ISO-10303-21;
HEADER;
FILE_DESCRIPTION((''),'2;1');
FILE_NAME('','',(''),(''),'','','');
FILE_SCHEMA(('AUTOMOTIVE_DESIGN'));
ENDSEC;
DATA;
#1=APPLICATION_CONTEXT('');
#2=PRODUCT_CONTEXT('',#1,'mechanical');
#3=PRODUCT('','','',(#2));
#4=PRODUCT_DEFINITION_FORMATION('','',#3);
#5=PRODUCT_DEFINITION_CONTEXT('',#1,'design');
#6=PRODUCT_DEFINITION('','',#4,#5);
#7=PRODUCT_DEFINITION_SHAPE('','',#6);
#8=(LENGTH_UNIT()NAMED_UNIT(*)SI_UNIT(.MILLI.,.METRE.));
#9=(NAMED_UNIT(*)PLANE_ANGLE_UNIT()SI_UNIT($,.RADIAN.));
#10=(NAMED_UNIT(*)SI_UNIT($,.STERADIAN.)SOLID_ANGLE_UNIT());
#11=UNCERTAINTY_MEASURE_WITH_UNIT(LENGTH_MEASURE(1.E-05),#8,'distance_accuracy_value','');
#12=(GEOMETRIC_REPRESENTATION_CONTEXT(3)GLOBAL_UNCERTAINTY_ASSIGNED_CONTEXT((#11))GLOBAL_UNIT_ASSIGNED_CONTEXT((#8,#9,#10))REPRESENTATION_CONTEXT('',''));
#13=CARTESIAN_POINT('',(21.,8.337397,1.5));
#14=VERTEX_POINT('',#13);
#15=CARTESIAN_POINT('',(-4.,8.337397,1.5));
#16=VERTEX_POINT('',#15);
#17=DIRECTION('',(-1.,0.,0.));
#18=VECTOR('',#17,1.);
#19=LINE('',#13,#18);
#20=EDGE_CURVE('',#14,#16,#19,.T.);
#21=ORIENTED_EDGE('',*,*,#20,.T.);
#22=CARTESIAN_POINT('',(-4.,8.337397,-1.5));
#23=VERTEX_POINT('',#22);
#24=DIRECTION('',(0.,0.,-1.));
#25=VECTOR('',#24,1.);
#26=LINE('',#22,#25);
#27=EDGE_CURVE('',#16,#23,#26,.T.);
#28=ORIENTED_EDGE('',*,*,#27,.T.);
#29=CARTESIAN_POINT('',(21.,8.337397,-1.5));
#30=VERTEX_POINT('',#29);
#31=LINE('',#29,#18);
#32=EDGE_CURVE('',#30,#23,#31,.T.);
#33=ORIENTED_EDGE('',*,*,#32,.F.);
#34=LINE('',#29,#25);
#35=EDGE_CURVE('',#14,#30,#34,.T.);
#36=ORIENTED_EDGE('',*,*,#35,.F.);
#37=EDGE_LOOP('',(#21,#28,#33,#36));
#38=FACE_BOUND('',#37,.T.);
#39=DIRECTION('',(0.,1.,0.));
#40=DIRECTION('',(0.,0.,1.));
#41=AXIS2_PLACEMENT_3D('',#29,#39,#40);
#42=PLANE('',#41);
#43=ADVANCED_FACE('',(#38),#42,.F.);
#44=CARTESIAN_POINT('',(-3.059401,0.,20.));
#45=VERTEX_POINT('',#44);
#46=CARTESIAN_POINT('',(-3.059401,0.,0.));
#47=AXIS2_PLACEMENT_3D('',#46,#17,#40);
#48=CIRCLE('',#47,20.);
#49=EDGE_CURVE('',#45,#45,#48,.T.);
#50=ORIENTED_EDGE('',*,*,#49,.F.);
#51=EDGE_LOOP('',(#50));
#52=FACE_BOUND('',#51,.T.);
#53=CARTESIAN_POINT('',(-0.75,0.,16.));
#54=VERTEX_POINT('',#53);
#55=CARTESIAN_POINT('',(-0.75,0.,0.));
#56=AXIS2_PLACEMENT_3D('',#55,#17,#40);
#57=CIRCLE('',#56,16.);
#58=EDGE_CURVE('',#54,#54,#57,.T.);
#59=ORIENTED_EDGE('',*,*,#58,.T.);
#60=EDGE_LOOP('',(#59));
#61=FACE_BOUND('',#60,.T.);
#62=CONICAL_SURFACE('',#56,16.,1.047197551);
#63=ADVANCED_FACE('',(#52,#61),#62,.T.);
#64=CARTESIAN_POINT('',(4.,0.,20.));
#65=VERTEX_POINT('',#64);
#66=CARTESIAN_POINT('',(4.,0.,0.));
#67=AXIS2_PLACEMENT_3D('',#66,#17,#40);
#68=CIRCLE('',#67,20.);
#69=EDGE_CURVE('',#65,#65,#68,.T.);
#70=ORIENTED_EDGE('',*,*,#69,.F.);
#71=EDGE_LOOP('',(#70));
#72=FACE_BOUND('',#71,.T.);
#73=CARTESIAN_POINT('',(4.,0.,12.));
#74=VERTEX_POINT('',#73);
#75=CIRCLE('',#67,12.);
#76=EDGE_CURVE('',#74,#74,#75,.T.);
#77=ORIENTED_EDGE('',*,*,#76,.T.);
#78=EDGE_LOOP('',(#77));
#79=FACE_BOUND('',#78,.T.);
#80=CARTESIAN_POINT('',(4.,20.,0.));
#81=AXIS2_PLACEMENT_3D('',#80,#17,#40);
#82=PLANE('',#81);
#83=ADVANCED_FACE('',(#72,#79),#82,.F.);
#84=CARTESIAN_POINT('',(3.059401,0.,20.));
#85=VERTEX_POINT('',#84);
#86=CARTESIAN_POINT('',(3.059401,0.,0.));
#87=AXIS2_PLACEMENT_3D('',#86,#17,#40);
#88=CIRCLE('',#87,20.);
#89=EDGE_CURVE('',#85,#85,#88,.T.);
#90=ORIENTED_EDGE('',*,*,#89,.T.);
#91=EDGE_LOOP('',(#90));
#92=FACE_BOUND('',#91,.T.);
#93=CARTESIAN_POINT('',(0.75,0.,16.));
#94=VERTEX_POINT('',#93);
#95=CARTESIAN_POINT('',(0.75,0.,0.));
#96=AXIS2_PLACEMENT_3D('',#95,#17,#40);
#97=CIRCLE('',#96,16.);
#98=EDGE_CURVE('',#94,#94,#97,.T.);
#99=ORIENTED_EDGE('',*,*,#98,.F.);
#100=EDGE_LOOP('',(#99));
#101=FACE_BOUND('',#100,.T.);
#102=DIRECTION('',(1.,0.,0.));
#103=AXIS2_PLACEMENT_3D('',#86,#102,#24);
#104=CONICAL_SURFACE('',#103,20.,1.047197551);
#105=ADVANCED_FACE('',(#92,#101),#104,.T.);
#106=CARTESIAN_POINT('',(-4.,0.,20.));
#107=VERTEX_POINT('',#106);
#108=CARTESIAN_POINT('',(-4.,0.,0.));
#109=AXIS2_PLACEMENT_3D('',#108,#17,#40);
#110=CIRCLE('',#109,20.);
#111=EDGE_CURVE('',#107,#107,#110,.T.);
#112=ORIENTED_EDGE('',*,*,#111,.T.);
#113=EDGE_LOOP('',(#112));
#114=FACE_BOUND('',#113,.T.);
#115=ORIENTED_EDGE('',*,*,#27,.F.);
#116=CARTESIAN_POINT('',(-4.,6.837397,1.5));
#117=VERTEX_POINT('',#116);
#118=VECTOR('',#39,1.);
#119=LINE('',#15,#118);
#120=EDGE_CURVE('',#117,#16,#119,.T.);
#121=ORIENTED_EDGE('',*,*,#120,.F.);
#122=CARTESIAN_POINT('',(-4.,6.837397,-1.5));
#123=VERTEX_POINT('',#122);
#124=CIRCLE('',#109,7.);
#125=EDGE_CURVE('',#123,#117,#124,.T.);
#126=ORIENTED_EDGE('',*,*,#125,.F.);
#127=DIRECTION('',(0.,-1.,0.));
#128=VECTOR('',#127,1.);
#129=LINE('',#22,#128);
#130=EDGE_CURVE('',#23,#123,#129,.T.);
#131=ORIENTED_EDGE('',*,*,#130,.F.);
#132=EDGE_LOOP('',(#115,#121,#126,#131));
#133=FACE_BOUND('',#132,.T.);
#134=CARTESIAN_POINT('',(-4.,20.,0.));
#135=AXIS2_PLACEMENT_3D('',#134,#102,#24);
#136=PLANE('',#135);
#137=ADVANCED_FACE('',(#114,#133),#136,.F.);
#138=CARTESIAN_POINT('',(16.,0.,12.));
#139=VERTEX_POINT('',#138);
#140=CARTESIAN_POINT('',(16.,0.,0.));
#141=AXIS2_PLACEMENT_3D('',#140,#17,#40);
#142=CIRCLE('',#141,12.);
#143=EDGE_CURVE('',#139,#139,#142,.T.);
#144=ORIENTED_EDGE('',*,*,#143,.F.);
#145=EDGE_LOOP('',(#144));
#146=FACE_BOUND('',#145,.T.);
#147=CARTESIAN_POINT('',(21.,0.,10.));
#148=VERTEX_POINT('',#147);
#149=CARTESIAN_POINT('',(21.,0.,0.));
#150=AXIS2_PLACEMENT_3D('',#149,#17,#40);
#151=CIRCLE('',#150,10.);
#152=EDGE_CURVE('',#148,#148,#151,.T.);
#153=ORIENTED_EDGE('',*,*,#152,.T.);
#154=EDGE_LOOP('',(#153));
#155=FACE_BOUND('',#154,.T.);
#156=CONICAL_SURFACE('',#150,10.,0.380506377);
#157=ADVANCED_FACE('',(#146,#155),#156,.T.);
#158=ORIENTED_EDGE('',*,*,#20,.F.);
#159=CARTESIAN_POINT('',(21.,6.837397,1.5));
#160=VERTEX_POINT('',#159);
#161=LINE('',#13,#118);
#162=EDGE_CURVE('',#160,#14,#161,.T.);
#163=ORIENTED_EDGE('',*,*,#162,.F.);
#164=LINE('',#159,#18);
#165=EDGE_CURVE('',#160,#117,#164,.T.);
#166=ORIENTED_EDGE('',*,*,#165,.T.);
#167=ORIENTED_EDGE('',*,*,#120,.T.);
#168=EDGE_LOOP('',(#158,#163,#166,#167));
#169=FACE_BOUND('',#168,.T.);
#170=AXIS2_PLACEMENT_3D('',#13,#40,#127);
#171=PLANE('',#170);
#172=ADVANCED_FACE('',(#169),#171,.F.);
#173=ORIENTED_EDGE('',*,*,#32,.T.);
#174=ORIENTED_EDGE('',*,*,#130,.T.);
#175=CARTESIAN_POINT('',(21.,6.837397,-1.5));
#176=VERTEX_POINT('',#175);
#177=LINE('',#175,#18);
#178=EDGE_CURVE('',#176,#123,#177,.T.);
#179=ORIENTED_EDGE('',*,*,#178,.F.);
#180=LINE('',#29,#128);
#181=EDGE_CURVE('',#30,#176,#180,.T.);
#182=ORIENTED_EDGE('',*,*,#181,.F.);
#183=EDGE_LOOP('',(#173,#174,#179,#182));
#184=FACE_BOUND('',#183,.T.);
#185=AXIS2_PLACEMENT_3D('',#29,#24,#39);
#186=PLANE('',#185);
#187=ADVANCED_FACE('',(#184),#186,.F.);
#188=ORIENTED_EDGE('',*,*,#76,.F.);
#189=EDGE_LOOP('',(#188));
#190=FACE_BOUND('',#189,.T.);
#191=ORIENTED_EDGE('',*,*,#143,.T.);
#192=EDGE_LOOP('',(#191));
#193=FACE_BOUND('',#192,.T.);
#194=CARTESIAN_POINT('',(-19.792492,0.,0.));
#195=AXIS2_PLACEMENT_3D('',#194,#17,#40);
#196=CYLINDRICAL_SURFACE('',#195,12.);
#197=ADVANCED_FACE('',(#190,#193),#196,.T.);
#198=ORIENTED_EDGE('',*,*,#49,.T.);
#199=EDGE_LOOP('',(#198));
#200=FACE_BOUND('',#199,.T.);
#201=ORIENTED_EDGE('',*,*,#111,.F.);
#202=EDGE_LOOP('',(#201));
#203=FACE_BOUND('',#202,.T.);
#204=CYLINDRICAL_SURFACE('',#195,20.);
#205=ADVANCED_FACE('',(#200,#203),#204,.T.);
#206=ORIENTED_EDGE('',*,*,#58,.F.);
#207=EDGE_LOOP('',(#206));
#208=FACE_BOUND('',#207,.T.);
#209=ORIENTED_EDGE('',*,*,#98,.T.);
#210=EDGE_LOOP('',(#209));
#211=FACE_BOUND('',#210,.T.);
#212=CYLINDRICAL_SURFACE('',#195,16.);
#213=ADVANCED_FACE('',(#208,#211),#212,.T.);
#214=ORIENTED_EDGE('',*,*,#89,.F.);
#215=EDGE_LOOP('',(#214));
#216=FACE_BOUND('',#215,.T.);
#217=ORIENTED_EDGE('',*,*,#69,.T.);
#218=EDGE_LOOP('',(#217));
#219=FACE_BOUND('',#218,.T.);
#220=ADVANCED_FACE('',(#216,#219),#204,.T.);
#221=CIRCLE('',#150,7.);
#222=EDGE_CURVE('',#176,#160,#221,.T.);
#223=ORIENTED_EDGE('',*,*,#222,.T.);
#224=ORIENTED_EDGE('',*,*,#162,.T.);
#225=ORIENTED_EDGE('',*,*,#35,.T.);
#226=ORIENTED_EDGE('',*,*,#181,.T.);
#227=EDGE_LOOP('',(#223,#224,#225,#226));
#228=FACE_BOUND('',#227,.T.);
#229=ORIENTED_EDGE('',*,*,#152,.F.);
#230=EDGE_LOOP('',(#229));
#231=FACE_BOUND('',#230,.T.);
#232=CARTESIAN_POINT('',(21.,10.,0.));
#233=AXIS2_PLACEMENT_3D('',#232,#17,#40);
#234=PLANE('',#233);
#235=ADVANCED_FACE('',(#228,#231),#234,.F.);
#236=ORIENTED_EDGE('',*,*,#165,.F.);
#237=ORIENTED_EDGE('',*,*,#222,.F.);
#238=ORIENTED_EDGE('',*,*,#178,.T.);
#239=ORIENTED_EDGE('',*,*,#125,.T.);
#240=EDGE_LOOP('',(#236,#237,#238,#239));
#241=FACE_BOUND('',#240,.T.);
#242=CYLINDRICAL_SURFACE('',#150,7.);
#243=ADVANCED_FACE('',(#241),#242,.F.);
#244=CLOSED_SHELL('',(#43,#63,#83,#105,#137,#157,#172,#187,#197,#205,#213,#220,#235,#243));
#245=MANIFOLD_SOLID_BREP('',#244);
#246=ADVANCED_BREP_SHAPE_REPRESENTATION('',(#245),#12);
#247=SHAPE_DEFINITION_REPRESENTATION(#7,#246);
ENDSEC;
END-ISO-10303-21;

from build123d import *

# Parameters (mm, degrees)
CUT_EXTRUDE1_DEPTH = 38.749172176


with BuildPart() as part:
    # Sketch1 → Revolve1 (revolve)
    with BuildSketch(Plane.XY, mode=Mode.PRIVATE) as revolve1_sk:
        Polygon((0.75, 16), (-0.75, 16), (-3.059401077, 20), (-4, 20), (-4, 0), (4, 0), (21, 0), (21, 10), (16, 12), (4, 12), (4, 20), (3.059401077, 20), align=None)
    revolve(revolve1_sk.sketch.rotate(Axis((-19.792492436, 0, 0), (1, 0, 0)), 90), axis=Axis((-19.792492436, 0, 0), (1, 0, 0)))

    # Sketch2 → Cut-Extrude1 (cut, through all)
    with BuildSketch(Plane.ZY.offset(4)):
        with BuildLine():
            Line((-1.5, 8.337397166), (1.5, 8.337397166))
            Line((1.5, 8.337397166), (1.5, 6.837397166))
            ThreePointArc((1.5, 6.837397166), (0, -7), (-1.5, 6.837397166))
            Line((-1.5, 6.837397166), (-1.5, 8.337397166))
        make_face()
    extrude(amount=-CUT_EXTRUDE1_DEPTH, mode=Mode.SUBTRACT)


solid = part.part
